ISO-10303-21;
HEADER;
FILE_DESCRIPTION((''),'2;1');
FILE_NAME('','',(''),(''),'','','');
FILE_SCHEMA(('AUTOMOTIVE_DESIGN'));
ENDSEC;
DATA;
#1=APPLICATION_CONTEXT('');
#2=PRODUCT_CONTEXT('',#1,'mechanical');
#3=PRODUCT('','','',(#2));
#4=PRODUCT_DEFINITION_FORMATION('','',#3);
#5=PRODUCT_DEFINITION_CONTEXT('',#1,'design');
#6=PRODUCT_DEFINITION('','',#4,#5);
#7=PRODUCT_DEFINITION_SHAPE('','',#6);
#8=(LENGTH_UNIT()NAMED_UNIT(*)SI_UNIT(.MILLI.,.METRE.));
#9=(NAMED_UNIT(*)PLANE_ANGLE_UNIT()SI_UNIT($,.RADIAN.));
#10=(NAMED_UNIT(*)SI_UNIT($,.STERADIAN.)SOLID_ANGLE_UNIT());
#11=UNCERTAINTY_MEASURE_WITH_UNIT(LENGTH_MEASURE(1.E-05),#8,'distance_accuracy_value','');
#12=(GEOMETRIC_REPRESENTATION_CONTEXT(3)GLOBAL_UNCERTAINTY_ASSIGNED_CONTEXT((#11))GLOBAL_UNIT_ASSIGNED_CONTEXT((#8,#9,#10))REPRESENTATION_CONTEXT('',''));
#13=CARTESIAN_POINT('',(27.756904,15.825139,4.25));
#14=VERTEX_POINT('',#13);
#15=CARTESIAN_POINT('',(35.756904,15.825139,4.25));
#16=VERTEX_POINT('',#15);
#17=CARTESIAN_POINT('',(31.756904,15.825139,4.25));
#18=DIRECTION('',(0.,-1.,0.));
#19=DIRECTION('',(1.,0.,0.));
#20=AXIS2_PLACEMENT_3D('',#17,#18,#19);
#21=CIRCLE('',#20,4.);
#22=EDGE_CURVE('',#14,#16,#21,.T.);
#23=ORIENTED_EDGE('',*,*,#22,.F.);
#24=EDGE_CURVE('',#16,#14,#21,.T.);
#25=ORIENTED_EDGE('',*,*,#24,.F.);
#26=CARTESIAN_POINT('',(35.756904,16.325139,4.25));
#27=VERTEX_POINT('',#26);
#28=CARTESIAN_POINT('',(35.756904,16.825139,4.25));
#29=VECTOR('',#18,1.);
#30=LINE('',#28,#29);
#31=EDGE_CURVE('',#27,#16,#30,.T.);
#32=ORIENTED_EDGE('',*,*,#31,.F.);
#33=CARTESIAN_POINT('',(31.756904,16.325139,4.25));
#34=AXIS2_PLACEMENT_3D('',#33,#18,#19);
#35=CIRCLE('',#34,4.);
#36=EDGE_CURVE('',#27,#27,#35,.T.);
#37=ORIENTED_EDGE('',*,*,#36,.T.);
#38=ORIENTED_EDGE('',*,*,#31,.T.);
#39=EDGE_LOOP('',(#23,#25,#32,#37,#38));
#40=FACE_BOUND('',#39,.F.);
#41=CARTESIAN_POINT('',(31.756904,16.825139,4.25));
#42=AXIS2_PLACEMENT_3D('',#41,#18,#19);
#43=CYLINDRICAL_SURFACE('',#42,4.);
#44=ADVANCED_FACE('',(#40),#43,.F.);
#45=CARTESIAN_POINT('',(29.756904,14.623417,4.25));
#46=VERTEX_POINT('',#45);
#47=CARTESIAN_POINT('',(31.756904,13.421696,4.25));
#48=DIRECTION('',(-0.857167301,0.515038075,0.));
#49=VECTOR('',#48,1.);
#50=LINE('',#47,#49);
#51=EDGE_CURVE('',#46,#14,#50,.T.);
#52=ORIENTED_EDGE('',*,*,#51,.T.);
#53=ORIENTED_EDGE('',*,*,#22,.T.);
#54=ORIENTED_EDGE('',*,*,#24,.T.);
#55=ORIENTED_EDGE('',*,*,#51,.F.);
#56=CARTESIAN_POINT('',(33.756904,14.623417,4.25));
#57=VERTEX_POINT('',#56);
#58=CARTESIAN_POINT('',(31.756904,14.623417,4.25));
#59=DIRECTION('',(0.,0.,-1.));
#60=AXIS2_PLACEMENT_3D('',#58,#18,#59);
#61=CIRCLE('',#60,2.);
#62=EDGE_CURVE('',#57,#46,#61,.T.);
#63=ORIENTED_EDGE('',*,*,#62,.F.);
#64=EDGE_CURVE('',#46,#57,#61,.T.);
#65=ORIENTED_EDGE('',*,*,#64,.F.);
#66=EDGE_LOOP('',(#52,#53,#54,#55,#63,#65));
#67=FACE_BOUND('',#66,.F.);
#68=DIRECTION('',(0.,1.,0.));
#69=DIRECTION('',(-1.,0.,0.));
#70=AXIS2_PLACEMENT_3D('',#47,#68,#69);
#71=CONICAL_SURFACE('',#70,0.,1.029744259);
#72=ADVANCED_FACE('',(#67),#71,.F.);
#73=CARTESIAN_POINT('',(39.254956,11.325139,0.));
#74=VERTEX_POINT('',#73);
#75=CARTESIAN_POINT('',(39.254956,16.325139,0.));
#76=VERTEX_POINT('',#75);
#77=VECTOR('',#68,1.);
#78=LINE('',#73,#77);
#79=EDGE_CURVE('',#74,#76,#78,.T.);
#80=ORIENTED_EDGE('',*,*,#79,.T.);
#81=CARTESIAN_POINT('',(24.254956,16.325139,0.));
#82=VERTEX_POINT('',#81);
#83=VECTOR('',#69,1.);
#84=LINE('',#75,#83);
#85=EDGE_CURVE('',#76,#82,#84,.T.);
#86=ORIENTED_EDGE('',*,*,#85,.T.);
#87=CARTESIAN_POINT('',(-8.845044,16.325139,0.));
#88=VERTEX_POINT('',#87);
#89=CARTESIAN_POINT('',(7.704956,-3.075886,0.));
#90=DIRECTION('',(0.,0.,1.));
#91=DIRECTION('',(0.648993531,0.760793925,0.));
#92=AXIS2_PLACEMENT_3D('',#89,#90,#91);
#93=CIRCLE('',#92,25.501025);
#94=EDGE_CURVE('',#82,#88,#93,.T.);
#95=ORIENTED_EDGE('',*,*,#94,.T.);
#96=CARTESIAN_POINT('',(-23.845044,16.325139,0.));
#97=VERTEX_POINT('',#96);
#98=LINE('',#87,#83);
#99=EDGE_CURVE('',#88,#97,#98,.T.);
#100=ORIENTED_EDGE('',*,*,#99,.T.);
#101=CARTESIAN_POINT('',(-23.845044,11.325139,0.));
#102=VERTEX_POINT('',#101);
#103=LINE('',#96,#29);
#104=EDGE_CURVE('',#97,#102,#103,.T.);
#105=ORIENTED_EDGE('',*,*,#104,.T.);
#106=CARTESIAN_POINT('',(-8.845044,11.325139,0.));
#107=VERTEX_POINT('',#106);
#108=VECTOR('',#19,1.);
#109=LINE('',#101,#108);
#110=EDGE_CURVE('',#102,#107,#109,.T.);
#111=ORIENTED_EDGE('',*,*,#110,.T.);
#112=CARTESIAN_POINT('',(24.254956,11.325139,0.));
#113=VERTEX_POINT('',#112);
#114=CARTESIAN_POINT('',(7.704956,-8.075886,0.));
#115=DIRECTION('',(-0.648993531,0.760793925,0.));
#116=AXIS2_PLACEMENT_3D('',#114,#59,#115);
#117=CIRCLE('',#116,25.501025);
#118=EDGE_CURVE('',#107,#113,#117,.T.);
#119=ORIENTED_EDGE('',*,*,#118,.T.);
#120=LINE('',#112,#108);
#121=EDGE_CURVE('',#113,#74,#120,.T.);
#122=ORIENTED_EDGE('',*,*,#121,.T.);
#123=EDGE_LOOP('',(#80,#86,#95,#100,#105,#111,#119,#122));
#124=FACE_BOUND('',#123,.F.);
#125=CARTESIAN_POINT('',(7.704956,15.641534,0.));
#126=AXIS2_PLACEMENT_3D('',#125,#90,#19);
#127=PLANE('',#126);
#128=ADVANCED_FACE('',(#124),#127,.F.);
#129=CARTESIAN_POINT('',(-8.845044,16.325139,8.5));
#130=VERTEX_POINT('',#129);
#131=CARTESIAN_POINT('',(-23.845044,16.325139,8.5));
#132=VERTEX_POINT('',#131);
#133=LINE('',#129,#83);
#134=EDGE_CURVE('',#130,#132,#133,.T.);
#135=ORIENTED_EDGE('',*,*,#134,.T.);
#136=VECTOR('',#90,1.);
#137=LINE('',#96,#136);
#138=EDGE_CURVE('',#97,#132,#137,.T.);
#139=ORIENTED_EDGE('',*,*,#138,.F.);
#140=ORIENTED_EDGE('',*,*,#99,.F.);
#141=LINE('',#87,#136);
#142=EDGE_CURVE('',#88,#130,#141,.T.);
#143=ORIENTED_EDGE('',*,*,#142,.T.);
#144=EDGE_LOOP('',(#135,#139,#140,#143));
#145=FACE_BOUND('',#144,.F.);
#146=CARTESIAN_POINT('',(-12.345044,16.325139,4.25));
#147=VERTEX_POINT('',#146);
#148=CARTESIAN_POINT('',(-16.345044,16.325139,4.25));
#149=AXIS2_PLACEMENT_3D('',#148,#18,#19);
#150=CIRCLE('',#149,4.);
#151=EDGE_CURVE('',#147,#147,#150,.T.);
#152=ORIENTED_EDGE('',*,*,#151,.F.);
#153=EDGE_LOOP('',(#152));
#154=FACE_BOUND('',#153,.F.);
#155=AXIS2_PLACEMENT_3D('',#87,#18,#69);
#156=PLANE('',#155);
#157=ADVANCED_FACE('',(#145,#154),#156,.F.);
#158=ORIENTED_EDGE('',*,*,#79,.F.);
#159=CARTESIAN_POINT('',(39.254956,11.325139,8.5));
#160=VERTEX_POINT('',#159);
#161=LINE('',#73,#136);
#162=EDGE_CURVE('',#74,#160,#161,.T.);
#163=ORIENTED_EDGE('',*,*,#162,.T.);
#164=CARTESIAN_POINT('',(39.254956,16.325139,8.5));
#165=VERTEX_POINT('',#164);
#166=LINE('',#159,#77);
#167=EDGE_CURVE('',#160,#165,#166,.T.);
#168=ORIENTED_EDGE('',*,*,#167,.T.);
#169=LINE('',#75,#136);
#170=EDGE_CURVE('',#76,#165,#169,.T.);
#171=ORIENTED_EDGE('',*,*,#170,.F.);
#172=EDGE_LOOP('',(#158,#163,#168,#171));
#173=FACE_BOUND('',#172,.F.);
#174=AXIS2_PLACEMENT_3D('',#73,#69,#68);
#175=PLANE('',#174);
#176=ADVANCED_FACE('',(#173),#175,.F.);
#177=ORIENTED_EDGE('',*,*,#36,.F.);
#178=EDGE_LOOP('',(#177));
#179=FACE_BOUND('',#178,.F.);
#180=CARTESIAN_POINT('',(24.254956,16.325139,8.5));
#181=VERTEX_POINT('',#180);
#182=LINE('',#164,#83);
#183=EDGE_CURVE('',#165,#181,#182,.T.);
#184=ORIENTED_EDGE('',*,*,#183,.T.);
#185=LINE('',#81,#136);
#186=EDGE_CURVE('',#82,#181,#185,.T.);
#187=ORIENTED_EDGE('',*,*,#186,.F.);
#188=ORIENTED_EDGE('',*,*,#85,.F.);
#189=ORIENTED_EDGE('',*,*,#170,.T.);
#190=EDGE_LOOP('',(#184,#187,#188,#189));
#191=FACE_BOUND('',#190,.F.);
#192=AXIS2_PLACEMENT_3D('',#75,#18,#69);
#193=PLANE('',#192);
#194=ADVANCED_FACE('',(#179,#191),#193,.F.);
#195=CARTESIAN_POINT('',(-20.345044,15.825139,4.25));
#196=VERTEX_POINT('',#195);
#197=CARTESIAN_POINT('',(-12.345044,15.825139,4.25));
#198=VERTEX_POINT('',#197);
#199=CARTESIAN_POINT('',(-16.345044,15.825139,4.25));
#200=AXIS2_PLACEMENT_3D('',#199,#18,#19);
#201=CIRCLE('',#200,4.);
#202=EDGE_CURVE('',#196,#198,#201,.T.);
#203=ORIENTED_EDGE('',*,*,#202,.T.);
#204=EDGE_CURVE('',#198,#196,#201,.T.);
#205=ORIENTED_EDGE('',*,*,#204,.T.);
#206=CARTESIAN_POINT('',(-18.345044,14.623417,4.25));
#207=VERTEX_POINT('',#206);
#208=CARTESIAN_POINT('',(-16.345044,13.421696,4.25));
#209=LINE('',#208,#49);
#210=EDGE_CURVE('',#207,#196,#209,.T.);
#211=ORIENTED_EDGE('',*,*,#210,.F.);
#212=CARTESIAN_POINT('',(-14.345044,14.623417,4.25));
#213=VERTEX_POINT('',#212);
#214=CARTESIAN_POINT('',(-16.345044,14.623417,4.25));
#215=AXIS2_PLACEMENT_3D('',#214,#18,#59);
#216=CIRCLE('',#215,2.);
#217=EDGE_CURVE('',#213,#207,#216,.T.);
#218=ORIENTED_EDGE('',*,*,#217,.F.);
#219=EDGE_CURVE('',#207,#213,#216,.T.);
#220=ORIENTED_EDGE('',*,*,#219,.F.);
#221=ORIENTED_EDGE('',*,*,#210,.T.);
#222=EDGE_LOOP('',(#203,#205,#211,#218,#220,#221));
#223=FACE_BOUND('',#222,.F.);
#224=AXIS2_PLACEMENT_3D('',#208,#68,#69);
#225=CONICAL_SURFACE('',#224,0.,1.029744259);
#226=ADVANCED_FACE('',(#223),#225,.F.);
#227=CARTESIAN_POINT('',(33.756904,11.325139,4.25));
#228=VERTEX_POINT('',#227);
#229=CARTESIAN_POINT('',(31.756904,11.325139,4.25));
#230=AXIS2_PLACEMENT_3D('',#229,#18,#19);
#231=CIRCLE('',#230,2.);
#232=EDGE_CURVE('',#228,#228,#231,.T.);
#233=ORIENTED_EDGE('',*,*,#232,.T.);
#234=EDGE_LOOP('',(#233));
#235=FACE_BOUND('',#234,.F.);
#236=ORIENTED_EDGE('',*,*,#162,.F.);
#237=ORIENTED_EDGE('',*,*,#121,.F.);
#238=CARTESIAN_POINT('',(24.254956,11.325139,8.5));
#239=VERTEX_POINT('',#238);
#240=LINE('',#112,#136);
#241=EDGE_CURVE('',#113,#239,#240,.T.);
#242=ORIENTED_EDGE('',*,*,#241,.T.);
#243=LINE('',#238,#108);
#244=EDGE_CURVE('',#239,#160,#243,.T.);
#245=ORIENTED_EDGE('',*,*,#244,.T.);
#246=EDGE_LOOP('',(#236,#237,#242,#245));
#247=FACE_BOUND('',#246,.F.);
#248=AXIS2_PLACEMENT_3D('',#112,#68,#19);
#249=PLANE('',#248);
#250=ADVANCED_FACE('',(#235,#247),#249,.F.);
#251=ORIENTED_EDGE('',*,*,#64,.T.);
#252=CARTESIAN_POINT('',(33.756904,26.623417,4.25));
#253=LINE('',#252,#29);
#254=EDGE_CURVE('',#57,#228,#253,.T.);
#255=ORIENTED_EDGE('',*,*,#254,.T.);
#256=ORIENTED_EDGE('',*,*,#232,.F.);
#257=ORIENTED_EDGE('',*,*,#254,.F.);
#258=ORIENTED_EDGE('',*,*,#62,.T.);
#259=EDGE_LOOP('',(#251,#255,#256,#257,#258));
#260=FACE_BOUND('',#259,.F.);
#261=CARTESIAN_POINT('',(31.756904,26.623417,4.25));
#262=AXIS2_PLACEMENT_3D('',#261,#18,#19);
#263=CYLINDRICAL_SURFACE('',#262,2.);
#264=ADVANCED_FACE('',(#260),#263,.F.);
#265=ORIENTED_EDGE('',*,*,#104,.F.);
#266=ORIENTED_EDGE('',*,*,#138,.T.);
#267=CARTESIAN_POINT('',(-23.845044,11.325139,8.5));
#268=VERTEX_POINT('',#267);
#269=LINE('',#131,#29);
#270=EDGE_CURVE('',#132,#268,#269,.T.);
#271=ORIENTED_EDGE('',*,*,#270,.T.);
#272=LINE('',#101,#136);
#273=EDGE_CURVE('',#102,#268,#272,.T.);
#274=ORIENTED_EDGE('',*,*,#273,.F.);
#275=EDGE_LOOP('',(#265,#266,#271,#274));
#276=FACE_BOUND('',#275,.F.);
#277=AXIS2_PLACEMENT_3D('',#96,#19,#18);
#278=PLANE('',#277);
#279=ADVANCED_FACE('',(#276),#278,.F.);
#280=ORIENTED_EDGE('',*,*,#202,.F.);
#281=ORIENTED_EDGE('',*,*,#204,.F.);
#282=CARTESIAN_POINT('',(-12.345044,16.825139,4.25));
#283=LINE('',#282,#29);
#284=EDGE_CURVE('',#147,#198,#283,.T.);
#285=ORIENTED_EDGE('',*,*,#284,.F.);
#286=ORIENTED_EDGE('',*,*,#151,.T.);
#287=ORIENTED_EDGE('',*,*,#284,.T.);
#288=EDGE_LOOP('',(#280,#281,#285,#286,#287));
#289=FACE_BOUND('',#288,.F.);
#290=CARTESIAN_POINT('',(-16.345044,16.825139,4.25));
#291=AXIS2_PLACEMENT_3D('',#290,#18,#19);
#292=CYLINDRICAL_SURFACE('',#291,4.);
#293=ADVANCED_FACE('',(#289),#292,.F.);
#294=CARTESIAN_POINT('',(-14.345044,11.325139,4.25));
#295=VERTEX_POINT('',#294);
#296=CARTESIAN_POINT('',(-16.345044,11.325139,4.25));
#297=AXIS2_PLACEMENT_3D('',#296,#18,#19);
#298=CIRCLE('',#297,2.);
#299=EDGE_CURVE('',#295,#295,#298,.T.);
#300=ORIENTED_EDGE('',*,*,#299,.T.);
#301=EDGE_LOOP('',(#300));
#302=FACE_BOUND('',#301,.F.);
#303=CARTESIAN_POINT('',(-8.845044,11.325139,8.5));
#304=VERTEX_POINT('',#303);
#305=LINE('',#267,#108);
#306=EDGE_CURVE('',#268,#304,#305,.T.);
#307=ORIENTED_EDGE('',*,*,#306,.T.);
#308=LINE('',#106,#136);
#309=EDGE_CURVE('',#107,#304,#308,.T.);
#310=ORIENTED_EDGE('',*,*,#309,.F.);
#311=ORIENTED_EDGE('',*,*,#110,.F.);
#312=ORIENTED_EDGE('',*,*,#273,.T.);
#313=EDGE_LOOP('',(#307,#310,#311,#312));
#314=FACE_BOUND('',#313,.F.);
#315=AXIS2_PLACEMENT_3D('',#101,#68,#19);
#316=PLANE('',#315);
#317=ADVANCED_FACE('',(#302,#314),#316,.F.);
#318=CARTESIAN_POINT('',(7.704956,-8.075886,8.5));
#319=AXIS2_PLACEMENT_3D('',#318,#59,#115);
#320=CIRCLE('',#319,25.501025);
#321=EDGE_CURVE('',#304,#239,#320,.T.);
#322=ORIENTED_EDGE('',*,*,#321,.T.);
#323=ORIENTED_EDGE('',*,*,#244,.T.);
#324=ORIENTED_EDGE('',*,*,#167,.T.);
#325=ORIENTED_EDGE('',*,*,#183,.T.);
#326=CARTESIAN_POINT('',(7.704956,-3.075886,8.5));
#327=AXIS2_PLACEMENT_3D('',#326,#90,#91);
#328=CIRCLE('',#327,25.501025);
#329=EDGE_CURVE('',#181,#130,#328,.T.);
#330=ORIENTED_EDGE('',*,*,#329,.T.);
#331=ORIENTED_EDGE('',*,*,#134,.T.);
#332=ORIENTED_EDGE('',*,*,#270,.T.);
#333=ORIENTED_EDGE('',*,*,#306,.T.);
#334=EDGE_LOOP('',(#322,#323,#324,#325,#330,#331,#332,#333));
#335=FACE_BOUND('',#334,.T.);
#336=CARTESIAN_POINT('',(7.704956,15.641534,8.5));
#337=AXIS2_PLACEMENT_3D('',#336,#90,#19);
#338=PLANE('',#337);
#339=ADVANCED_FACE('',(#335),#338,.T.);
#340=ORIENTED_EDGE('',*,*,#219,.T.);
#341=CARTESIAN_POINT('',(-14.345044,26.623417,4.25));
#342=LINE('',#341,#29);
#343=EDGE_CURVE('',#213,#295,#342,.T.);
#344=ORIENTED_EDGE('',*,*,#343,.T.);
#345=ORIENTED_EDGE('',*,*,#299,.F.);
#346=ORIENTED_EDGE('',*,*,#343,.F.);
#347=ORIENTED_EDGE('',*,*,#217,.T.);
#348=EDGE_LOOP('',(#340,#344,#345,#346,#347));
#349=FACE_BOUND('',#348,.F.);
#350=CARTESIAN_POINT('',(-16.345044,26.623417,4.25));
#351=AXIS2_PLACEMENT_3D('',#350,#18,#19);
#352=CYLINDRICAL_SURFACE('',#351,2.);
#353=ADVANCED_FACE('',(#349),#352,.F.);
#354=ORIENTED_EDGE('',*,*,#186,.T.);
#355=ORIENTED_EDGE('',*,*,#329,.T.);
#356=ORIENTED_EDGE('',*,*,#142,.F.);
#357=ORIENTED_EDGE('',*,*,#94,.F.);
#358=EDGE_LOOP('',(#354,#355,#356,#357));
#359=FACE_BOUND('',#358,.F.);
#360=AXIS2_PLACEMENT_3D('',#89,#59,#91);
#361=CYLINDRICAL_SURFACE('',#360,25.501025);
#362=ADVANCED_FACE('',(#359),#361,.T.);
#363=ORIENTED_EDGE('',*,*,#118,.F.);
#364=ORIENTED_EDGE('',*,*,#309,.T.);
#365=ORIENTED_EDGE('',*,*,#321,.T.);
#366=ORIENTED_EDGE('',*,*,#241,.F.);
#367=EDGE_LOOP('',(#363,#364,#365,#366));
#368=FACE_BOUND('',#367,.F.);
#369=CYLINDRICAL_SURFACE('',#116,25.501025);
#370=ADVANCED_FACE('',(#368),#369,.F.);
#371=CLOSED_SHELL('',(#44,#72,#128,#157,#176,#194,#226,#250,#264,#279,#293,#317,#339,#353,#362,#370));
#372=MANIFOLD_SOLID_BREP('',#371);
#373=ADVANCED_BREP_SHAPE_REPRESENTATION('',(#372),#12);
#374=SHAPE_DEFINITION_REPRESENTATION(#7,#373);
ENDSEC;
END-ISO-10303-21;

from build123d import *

# Parameters (mm, degrees)
F1_DEPTH = 8.5
F3_D     = 8
F3_DEPTH = 0.5
F3_TIP   = 2.4034424761
F4_D     = 4
F4_DEPTH = 12
F4_START = 1.7017212
F4_TIP   = 1.2017212381


with BuildPart() as f1:
    # F0 (on Top) → F1 (new body)
    with BuildSketch(Plane.XY):
        with BuildLine():
            ThreePointArc((-8.8450443894, 11.325138621), (7.7049556106, 17.425138621), (24.2549556106, 11.325138621))
            Line((24.2549556106, 11.325138621), (39.2549556106, 11.325138621))
            Line((39.2549556106, 11.325138621), (39.2549556106, 16.325138621))
            Line((39.2549556106, 16.325138621), (24.2549556106, 16.325138621))
            ThreePointArc((24.2549556106, 16.325138621), (7.7049556106, 22.425138621), (-8.8450443894, 16.325138621))
            Line((-8.8450443894, 16.325138621), (-23.8450443894, 16.325138621))
            Line((-23.8450443894, 16.325138621), (-23.8450443894, 11.325138621))
            Line((-23.8450443894, 11.325138621), (-8.8450443894, 11.325138621))
        make_face()
    extrude(amount=F1_DEPTH)

    # F3
    with Locations(Plane(origin=(0, 16.325138621, 0), x_dir=(-1, 0, 0), z_dir=(0, 1, 0))):
        with Locations((-31.7569042742, 4.25), (16.3450443894, 4.25)):
            Hole(F3_D / 2, depth=F3_DEPTH)
            with Locations((0, 0, -(F3_DEPTH + F3_TIP / 2))):  # 118° drill point
                Cone(0, F3_D / 2, F3_TIP, mode=Mode.SUBTRACT)

    # F4
    # its depths count from where the whole tool has entered the part; down to there all is cleared
    with Locations(Plane(origin=(0, 16.325138621, 0), x_dir=(-1, 0, 0), z_dir=(0, 1, 0)).offset(-F4_START)):
        with Locations((-31.7569042742, 4.25), (16.3450443894, 4.25)):
            Hole(F4_D / 2, depth=F4_DEPTH)
            with Locations((0, 0, -(F4_DEPTH + F4_TIP / 2))):  # 118° drill point
                Cone(0, F4_D / 2, F4_TIP, mode=Mode.SUBTRACT)


solid = f1.part
